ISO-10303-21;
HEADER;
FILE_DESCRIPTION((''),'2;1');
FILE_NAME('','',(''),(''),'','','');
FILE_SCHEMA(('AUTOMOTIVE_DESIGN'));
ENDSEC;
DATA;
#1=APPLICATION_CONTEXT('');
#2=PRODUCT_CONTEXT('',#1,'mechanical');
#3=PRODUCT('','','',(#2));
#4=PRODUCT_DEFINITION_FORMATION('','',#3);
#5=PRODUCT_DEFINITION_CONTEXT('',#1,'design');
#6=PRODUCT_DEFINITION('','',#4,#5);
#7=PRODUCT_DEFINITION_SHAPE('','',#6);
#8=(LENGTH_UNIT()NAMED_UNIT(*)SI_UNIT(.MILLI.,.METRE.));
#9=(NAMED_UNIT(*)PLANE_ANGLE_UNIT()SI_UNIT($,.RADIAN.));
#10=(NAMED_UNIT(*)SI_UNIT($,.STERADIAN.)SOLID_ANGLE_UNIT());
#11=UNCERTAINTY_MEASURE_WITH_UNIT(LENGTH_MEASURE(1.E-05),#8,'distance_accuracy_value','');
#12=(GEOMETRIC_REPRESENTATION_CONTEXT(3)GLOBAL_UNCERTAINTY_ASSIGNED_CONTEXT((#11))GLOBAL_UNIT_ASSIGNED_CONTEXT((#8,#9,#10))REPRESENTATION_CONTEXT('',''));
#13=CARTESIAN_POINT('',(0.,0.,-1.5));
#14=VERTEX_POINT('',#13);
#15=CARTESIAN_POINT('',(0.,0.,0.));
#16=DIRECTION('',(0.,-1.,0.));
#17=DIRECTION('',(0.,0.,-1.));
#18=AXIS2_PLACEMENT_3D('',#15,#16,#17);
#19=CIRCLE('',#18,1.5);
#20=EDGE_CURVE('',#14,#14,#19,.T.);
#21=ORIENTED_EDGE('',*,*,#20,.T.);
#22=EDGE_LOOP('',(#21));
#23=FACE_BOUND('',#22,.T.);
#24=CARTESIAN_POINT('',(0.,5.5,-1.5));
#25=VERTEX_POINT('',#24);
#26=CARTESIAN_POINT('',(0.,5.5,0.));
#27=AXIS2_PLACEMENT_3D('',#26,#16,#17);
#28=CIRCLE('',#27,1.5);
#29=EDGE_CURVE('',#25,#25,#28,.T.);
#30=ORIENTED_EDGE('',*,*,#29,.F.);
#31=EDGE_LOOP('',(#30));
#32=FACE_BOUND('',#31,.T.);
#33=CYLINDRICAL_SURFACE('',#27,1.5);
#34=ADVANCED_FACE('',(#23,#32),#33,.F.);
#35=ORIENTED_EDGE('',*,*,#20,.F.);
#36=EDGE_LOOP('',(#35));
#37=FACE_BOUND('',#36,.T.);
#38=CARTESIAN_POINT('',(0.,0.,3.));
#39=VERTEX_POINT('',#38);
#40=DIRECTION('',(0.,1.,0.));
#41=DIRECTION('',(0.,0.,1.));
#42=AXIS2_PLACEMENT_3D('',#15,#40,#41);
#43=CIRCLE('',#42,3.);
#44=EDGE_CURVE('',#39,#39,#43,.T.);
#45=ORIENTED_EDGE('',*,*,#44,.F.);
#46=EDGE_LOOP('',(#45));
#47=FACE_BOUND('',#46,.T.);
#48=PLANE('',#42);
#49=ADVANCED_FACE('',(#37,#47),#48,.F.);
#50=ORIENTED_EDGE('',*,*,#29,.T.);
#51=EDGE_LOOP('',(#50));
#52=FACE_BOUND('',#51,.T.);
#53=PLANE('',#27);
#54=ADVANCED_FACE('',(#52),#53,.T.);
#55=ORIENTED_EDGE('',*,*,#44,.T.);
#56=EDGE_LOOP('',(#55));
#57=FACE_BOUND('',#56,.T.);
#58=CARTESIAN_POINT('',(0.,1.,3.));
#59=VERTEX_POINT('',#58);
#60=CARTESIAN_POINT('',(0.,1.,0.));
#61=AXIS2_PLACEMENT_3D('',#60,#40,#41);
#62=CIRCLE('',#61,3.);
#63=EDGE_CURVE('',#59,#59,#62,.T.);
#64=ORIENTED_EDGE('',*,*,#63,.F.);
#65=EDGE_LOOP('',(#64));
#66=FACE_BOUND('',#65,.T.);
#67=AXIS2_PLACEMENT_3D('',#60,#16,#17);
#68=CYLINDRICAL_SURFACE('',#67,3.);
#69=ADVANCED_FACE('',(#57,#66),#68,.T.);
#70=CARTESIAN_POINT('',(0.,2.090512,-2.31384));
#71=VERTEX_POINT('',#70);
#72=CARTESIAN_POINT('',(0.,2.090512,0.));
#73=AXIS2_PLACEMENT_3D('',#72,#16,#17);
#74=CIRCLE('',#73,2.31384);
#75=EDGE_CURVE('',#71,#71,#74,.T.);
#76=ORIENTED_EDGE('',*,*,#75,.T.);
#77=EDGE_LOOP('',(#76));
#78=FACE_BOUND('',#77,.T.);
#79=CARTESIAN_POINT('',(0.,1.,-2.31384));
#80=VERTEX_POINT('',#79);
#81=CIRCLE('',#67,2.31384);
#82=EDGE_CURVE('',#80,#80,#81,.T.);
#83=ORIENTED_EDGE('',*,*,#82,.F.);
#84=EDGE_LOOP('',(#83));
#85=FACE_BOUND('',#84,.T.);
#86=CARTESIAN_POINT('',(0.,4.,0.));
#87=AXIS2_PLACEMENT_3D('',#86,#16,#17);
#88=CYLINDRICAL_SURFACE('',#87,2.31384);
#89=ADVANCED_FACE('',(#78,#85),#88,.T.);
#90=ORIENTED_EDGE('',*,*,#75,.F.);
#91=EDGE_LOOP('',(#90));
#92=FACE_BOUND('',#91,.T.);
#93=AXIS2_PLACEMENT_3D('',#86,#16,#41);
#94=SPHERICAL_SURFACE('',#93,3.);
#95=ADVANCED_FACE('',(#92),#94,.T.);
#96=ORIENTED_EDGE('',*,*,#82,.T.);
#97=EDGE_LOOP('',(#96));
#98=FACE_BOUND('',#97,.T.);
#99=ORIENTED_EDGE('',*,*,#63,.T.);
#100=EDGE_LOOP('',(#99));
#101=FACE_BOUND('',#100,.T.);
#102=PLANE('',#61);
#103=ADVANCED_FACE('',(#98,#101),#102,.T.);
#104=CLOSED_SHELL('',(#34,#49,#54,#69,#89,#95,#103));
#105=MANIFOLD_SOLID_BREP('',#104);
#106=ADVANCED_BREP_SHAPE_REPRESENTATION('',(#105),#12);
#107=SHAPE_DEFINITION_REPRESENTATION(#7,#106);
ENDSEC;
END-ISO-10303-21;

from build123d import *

# Parameters (mm, degrees)
SKETCH1_R           = 3
BOSS_EXTRUDE1_DEPTH = 1
SKETCH4_R           = 1.5
CUT_EXTRUDE1_DEPTH  = 5.5


with BuildPart() as part:
    # Sketch1 → Boss-Extrude1 (new body)
    with BuildSketch(Plane(origin=(0, 0, 0), x_dir=(1, 0, 0), z_dir=(0, 1, 0))):
        with Locations(Location((0, 0, 0), (0, 0, 270))):
            Circle(SKETCH1_R)
    extrude(amount=BOSS_EXTRUDE1_DEPTH)

    # Sketch3 → Revolve2 (revolve)
    with BuildSketch(Plane(origin=(0, 0, 0), x_dir=(0, 0, -1), z_dir=(1, 0, 0))):
        with BuildLine():
            Line((-1.156919819, 1), (0, 1))
            Line((0, 1), (0, 4))
            Line((0, 4), (0, 7))
            ThreePointArc((0, 7), (-2.121320344, 6.121320344), (-3, 4))
            ThreePointArc((-3, 4), (-2.823253346, 2.98548507), (-2.313839638, 2.090511553))
            Line((-2.313839638, 2.090511553), (-2.313839638, 1))
            Line((-2.313839638, 1), (-1.156919819, 1))
        make_face()
    revolve(axis=Axis((0, 4, 0), (0, 1, 0)))

    # Sketch4 → Cut-Extrude1 (cut)
    with BuildSketch(Plane.XZ):
        with Locations(Location((0, 0, 0), (0, 0, 270))):
            Circle(SKETCH4_R)
    extrude(amount=-CUT_EXTRUDE1_DEPTH, mode=Mode.SUBTRACT)


solid = part.part
